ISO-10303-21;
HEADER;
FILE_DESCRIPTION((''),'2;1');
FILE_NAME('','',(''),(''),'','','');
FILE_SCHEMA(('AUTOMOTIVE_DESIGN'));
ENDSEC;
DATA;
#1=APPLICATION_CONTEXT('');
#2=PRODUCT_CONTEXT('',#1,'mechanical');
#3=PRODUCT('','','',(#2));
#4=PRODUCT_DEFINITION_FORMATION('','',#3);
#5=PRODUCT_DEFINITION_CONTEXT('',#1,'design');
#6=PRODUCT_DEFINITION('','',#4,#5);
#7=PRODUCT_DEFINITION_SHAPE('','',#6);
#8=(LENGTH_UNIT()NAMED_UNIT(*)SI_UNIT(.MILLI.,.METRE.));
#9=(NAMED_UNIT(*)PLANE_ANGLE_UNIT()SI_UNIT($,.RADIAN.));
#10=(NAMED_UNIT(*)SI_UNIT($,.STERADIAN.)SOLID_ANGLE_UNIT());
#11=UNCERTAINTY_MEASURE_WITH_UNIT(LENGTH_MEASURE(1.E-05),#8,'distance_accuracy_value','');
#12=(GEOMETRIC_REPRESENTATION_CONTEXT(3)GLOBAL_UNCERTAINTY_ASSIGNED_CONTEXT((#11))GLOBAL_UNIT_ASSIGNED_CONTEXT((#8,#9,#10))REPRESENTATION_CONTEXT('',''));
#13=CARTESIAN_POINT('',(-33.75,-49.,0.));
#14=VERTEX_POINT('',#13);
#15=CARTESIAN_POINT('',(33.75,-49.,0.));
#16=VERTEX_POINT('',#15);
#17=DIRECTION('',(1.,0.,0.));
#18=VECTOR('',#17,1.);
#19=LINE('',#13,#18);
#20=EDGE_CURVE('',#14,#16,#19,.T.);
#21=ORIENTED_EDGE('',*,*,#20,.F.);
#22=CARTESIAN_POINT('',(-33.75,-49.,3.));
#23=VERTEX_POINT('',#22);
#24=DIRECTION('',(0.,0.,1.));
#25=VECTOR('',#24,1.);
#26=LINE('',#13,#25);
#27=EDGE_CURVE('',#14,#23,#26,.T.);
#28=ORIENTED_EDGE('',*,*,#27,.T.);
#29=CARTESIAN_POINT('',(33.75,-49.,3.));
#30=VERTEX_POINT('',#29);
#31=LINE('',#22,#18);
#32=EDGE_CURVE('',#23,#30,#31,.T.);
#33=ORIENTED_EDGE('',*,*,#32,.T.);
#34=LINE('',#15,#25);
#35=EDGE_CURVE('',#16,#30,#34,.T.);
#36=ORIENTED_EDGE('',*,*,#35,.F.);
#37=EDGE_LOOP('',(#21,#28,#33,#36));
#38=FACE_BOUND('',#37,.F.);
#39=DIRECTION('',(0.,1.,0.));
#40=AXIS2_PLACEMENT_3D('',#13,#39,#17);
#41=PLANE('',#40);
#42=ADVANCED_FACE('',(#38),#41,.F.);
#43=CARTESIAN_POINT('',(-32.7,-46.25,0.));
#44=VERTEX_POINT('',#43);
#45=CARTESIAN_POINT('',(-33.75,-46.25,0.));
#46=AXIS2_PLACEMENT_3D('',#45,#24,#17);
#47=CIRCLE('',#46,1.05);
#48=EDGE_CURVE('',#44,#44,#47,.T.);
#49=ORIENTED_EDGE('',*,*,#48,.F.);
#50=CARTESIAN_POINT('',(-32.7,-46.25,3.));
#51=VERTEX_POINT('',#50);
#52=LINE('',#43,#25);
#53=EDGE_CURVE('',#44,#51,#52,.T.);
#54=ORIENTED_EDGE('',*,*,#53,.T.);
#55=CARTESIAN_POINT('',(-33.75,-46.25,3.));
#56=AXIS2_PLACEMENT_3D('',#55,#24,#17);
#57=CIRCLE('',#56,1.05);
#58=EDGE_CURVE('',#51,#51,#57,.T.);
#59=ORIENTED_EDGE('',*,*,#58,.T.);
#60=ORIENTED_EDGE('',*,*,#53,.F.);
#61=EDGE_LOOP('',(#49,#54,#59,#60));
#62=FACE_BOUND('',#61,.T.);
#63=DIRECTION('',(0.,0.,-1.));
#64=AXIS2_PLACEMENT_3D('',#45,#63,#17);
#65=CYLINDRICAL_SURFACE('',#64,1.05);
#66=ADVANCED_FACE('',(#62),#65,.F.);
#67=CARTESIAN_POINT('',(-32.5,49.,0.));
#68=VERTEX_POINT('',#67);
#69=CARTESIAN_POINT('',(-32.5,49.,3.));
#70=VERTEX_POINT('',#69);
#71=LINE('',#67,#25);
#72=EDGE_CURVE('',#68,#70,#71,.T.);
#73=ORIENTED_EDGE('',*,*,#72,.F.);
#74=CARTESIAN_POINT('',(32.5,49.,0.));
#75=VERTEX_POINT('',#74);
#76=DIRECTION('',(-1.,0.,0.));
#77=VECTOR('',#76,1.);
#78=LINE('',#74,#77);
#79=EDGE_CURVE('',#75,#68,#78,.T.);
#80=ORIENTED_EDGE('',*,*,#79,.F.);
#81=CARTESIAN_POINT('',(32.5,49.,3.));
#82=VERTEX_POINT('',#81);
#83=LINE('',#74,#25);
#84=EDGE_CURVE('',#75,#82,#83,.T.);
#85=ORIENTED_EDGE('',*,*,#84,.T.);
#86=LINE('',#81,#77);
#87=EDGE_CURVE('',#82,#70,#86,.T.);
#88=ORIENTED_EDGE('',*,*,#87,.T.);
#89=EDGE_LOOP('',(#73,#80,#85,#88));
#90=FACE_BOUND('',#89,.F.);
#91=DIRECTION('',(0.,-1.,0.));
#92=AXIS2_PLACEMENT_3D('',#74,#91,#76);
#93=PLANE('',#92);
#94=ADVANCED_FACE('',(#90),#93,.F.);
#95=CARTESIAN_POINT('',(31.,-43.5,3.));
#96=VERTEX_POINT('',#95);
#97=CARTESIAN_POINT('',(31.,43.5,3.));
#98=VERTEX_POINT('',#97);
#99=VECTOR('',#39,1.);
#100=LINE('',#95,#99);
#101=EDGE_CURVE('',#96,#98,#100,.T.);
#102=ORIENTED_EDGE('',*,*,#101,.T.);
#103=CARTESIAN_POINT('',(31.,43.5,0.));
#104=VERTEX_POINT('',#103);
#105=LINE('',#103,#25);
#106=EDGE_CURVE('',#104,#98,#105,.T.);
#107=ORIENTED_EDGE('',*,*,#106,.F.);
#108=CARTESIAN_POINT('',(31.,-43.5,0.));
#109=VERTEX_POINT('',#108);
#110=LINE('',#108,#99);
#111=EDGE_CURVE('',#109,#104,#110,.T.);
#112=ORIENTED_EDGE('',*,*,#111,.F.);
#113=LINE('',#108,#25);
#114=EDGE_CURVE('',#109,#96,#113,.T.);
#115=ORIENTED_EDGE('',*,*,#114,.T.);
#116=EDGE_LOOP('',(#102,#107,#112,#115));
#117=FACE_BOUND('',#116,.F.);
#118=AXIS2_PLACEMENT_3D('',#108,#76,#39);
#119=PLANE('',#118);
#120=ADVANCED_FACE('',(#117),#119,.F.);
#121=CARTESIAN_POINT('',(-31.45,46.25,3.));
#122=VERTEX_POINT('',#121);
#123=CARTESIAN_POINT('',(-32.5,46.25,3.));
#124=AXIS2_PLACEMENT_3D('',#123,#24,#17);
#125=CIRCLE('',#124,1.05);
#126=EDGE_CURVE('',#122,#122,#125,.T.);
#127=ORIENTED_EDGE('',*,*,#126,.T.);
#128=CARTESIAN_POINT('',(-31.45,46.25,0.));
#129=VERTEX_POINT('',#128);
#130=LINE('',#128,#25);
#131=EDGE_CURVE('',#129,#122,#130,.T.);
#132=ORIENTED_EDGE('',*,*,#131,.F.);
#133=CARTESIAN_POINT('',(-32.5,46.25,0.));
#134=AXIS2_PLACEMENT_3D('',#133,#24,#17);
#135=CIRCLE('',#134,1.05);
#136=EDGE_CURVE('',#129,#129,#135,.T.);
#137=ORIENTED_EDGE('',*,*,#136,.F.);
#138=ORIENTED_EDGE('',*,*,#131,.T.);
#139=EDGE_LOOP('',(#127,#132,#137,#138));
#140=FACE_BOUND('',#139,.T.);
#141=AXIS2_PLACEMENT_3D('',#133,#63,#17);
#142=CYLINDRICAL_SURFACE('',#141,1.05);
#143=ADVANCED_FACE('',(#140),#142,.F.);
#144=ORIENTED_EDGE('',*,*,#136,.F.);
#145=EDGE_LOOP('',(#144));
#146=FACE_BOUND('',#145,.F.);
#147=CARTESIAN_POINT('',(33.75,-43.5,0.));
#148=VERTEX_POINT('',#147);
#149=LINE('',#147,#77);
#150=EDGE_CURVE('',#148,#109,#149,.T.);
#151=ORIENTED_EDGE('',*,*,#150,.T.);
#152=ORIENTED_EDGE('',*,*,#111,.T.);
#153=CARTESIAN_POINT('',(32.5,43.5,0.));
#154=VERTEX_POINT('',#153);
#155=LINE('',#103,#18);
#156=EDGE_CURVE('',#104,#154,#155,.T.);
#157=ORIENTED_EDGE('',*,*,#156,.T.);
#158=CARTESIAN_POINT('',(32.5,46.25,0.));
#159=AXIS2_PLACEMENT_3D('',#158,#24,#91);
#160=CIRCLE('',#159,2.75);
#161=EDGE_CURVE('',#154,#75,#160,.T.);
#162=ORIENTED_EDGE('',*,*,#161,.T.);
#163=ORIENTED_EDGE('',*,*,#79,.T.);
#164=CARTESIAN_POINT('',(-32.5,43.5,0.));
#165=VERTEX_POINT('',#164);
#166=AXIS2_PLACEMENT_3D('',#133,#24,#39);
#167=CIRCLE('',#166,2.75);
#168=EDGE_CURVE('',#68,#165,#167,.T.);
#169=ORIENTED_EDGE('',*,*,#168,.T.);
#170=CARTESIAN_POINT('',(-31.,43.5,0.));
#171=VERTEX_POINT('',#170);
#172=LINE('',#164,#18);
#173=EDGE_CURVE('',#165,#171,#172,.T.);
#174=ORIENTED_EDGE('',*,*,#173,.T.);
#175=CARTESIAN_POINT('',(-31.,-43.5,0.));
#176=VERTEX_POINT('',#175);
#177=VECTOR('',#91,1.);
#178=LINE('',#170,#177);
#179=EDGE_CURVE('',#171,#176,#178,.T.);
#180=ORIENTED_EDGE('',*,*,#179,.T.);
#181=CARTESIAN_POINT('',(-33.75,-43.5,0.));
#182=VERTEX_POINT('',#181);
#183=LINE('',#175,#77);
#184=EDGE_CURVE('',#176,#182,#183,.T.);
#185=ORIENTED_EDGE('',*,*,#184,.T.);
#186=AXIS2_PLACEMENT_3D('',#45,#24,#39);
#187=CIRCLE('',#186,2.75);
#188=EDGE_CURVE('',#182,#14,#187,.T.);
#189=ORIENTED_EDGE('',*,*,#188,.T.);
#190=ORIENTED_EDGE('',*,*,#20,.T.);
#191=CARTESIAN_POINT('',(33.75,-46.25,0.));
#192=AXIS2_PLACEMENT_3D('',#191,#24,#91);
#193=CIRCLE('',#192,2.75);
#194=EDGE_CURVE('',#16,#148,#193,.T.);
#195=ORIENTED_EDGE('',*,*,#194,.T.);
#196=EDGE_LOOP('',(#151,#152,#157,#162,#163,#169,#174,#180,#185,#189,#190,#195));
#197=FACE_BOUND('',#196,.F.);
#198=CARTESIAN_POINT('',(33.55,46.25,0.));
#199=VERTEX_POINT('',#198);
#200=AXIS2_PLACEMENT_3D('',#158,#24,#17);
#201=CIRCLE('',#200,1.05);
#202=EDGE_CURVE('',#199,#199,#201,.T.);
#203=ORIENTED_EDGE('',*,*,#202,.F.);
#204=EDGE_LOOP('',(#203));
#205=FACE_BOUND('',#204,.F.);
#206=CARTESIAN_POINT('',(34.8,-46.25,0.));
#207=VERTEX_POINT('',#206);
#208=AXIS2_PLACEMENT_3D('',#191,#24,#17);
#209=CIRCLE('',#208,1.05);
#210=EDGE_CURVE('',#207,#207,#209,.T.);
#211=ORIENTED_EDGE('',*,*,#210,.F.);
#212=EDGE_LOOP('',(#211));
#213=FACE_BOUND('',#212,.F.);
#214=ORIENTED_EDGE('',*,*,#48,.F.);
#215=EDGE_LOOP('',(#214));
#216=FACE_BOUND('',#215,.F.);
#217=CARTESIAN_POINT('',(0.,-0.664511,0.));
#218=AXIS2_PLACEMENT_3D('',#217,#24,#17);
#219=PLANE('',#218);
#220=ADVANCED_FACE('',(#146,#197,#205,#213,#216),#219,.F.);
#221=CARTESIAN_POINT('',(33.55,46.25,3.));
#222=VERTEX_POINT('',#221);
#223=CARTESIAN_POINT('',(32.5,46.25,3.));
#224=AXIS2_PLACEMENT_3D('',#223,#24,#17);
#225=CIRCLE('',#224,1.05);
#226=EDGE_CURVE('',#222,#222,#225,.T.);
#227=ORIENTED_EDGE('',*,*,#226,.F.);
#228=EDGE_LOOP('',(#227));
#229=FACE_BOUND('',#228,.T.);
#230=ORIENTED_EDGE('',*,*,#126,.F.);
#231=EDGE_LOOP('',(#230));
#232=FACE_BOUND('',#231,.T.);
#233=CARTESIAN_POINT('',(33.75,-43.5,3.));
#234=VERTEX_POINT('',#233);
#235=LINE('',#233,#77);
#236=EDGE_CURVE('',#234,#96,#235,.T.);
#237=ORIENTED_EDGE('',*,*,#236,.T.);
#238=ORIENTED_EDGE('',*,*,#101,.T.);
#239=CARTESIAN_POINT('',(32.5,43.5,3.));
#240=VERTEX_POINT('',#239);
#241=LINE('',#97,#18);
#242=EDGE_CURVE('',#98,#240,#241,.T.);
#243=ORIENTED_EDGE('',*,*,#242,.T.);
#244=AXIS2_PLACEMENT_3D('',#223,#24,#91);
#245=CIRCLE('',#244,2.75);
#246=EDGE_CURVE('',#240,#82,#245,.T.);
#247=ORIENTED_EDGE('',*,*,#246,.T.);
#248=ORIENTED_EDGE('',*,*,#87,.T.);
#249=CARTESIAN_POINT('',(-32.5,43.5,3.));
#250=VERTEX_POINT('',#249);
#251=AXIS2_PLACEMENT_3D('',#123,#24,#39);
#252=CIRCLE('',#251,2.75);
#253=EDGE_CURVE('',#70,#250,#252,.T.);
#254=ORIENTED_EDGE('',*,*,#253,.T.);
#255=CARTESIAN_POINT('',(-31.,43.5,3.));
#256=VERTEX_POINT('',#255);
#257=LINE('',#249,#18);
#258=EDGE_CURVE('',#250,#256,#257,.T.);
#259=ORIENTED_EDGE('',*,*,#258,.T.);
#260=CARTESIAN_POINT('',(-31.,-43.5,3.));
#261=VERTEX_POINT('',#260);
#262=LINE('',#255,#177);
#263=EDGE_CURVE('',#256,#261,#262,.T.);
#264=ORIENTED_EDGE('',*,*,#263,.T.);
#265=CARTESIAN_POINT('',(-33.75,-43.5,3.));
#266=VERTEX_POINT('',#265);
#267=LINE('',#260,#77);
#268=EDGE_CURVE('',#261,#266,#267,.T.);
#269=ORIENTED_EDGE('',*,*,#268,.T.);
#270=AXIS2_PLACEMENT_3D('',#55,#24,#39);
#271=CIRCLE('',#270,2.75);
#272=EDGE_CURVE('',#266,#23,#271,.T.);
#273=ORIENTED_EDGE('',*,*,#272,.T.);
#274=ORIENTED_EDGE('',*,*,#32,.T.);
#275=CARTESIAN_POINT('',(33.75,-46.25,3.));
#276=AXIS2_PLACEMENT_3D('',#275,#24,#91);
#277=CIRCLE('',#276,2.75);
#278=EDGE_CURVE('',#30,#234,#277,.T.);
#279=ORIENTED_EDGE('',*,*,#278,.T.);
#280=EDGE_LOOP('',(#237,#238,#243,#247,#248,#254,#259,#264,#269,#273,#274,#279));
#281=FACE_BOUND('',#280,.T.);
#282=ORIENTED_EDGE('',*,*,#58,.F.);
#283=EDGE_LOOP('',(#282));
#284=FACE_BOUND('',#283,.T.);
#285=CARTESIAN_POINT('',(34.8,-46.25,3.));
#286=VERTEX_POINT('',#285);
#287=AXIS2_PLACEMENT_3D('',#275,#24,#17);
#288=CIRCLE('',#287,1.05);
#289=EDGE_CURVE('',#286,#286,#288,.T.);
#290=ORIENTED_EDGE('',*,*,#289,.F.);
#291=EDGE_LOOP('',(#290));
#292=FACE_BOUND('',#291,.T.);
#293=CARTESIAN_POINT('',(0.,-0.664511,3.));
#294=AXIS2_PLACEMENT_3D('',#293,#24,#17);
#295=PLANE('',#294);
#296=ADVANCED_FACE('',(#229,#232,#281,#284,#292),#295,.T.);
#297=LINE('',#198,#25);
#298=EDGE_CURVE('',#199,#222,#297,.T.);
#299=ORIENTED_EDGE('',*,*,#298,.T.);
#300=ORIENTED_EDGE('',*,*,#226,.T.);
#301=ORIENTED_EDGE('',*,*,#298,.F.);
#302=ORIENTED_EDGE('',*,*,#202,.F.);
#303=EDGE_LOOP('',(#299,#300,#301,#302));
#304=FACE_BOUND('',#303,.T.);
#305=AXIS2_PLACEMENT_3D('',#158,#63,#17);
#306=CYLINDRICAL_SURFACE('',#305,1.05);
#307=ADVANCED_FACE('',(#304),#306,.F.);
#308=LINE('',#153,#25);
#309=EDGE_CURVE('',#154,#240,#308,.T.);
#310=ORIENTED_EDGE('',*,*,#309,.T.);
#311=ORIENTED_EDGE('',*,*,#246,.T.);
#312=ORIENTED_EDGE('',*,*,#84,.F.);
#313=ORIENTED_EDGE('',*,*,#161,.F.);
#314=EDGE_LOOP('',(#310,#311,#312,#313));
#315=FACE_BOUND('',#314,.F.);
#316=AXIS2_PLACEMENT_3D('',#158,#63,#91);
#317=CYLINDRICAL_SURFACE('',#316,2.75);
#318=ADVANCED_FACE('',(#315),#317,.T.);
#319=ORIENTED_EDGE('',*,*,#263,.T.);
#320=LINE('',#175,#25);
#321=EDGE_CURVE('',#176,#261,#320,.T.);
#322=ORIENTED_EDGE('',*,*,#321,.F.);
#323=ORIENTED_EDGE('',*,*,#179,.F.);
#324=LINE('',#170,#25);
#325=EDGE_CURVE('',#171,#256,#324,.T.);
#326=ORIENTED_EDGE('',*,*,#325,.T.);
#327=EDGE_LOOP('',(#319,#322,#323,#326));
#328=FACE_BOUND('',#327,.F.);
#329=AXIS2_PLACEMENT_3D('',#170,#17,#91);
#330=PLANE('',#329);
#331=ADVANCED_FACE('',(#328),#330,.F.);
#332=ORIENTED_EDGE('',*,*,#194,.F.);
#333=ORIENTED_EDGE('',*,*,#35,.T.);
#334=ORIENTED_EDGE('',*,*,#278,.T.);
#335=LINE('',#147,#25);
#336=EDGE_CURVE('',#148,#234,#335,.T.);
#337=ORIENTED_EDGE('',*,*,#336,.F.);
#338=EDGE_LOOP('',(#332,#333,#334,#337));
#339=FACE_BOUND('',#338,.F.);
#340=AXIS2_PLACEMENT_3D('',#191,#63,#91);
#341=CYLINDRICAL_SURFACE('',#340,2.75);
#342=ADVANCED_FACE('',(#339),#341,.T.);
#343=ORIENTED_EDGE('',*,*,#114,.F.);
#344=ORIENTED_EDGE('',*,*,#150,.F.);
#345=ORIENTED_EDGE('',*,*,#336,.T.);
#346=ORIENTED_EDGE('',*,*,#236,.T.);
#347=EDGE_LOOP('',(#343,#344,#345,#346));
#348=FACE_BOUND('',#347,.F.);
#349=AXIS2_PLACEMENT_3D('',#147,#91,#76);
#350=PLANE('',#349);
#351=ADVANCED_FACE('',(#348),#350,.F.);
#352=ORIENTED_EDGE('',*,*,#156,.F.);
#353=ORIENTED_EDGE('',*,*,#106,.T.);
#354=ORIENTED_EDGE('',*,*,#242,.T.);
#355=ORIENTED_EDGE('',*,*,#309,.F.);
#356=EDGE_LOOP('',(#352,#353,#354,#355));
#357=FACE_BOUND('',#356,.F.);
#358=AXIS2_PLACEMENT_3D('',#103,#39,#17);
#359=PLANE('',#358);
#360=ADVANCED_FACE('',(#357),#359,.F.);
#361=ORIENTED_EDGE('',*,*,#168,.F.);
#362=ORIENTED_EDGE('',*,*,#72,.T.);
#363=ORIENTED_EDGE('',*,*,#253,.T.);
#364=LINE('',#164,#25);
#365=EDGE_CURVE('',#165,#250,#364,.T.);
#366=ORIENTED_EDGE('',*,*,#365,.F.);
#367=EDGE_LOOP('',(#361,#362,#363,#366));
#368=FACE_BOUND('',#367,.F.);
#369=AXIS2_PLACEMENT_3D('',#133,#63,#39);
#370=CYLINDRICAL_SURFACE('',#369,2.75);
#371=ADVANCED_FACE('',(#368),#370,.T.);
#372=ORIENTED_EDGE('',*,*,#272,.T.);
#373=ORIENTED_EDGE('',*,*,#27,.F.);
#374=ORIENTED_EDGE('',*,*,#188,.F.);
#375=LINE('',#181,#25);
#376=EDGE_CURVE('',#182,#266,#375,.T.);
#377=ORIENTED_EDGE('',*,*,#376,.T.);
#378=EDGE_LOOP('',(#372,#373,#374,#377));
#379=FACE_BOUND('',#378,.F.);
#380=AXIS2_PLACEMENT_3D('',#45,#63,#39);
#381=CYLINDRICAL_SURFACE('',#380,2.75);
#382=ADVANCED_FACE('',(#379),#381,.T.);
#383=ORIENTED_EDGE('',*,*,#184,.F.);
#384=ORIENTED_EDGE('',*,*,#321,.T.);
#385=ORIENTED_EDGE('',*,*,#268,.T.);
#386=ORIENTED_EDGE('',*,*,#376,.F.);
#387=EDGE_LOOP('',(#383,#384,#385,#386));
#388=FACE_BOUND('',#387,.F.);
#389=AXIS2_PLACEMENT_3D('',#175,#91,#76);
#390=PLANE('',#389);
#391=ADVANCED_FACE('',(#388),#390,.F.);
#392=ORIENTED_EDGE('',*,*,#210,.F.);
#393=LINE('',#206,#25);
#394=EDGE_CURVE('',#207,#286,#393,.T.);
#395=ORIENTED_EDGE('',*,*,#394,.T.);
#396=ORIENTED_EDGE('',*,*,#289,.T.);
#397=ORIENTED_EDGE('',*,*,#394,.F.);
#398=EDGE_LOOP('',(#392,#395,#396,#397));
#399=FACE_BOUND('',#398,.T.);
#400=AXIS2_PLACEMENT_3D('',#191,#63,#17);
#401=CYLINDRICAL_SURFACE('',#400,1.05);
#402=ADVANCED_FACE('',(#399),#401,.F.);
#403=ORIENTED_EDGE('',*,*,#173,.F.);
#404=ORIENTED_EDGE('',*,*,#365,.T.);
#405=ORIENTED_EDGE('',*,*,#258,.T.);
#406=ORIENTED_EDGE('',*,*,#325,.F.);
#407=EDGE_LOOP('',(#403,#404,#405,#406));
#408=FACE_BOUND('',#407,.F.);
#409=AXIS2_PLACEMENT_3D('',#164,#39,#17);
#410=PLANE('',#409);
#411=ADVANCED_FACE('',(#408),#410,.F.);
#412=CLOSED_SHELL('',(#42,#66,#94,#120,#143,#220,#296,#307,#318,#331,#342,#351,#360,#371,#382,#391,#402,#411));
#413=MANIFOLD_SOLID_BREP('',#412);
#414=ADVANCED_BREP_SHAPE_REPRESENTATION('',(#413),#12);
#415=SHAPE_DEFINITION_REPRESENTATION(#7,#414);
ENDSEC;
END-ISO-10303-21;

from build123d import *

# Parameters (mm, degrees)
F0_R     = 1.05
F1_DEPTH = 3


with BuildPart() as f1:
    # F0 (on Top) → F1 (new body)
    with BuildSketch(Plane.XY):
        with BuildLine():
            Line((-31, -43.5), (-33.75, -43.5))
            ThreePointArc((-33.75, -43.5), (-36.5, -46.25), (-33.75, -49))
            Line((-33.75, -49), (33.75, -49))
            ThreePointArc((33.75, -49), (36.5, -46.25), (33.75, -43.5))
            Line((33.75, -43.5), (31, -43.5))
            Line((31, -43.5), (31, 43.5))
            Line((31, 43.5), (32.5, 43.5))
            ThreePointArc((32.5, 43.5), (35.25, 46.25), (32.5, 49))
            Line((32.5, 49), (-32.5, 49))
            ThreePointArc((-32.5, 49), (-35.25, 46.25), (-32.5, 43.5))
            Line((-32.5, 43.5), (-31, 43.5))
            Line((-31, 43.5), (-31, -43.5))
        make_face()
        with Locations((-33.75, -46.25)):
            Circle(F0_R, mode=Mode.SUBTRACT)
        with Locations((33.75, -46.25)):
            Circle(F0_R, mode=Mode.SUBTRACT)
        with Locations((-32.5, 46.25)):
            Circle(F0_R, mode=Mode.SUBTRACT)
        with Locations((32.5, 46.25)):
            Circle(F0_R, mode=Mode.SUBTRACT)
    extrude(amount=F1_DEPTH)


solid = f1.part
